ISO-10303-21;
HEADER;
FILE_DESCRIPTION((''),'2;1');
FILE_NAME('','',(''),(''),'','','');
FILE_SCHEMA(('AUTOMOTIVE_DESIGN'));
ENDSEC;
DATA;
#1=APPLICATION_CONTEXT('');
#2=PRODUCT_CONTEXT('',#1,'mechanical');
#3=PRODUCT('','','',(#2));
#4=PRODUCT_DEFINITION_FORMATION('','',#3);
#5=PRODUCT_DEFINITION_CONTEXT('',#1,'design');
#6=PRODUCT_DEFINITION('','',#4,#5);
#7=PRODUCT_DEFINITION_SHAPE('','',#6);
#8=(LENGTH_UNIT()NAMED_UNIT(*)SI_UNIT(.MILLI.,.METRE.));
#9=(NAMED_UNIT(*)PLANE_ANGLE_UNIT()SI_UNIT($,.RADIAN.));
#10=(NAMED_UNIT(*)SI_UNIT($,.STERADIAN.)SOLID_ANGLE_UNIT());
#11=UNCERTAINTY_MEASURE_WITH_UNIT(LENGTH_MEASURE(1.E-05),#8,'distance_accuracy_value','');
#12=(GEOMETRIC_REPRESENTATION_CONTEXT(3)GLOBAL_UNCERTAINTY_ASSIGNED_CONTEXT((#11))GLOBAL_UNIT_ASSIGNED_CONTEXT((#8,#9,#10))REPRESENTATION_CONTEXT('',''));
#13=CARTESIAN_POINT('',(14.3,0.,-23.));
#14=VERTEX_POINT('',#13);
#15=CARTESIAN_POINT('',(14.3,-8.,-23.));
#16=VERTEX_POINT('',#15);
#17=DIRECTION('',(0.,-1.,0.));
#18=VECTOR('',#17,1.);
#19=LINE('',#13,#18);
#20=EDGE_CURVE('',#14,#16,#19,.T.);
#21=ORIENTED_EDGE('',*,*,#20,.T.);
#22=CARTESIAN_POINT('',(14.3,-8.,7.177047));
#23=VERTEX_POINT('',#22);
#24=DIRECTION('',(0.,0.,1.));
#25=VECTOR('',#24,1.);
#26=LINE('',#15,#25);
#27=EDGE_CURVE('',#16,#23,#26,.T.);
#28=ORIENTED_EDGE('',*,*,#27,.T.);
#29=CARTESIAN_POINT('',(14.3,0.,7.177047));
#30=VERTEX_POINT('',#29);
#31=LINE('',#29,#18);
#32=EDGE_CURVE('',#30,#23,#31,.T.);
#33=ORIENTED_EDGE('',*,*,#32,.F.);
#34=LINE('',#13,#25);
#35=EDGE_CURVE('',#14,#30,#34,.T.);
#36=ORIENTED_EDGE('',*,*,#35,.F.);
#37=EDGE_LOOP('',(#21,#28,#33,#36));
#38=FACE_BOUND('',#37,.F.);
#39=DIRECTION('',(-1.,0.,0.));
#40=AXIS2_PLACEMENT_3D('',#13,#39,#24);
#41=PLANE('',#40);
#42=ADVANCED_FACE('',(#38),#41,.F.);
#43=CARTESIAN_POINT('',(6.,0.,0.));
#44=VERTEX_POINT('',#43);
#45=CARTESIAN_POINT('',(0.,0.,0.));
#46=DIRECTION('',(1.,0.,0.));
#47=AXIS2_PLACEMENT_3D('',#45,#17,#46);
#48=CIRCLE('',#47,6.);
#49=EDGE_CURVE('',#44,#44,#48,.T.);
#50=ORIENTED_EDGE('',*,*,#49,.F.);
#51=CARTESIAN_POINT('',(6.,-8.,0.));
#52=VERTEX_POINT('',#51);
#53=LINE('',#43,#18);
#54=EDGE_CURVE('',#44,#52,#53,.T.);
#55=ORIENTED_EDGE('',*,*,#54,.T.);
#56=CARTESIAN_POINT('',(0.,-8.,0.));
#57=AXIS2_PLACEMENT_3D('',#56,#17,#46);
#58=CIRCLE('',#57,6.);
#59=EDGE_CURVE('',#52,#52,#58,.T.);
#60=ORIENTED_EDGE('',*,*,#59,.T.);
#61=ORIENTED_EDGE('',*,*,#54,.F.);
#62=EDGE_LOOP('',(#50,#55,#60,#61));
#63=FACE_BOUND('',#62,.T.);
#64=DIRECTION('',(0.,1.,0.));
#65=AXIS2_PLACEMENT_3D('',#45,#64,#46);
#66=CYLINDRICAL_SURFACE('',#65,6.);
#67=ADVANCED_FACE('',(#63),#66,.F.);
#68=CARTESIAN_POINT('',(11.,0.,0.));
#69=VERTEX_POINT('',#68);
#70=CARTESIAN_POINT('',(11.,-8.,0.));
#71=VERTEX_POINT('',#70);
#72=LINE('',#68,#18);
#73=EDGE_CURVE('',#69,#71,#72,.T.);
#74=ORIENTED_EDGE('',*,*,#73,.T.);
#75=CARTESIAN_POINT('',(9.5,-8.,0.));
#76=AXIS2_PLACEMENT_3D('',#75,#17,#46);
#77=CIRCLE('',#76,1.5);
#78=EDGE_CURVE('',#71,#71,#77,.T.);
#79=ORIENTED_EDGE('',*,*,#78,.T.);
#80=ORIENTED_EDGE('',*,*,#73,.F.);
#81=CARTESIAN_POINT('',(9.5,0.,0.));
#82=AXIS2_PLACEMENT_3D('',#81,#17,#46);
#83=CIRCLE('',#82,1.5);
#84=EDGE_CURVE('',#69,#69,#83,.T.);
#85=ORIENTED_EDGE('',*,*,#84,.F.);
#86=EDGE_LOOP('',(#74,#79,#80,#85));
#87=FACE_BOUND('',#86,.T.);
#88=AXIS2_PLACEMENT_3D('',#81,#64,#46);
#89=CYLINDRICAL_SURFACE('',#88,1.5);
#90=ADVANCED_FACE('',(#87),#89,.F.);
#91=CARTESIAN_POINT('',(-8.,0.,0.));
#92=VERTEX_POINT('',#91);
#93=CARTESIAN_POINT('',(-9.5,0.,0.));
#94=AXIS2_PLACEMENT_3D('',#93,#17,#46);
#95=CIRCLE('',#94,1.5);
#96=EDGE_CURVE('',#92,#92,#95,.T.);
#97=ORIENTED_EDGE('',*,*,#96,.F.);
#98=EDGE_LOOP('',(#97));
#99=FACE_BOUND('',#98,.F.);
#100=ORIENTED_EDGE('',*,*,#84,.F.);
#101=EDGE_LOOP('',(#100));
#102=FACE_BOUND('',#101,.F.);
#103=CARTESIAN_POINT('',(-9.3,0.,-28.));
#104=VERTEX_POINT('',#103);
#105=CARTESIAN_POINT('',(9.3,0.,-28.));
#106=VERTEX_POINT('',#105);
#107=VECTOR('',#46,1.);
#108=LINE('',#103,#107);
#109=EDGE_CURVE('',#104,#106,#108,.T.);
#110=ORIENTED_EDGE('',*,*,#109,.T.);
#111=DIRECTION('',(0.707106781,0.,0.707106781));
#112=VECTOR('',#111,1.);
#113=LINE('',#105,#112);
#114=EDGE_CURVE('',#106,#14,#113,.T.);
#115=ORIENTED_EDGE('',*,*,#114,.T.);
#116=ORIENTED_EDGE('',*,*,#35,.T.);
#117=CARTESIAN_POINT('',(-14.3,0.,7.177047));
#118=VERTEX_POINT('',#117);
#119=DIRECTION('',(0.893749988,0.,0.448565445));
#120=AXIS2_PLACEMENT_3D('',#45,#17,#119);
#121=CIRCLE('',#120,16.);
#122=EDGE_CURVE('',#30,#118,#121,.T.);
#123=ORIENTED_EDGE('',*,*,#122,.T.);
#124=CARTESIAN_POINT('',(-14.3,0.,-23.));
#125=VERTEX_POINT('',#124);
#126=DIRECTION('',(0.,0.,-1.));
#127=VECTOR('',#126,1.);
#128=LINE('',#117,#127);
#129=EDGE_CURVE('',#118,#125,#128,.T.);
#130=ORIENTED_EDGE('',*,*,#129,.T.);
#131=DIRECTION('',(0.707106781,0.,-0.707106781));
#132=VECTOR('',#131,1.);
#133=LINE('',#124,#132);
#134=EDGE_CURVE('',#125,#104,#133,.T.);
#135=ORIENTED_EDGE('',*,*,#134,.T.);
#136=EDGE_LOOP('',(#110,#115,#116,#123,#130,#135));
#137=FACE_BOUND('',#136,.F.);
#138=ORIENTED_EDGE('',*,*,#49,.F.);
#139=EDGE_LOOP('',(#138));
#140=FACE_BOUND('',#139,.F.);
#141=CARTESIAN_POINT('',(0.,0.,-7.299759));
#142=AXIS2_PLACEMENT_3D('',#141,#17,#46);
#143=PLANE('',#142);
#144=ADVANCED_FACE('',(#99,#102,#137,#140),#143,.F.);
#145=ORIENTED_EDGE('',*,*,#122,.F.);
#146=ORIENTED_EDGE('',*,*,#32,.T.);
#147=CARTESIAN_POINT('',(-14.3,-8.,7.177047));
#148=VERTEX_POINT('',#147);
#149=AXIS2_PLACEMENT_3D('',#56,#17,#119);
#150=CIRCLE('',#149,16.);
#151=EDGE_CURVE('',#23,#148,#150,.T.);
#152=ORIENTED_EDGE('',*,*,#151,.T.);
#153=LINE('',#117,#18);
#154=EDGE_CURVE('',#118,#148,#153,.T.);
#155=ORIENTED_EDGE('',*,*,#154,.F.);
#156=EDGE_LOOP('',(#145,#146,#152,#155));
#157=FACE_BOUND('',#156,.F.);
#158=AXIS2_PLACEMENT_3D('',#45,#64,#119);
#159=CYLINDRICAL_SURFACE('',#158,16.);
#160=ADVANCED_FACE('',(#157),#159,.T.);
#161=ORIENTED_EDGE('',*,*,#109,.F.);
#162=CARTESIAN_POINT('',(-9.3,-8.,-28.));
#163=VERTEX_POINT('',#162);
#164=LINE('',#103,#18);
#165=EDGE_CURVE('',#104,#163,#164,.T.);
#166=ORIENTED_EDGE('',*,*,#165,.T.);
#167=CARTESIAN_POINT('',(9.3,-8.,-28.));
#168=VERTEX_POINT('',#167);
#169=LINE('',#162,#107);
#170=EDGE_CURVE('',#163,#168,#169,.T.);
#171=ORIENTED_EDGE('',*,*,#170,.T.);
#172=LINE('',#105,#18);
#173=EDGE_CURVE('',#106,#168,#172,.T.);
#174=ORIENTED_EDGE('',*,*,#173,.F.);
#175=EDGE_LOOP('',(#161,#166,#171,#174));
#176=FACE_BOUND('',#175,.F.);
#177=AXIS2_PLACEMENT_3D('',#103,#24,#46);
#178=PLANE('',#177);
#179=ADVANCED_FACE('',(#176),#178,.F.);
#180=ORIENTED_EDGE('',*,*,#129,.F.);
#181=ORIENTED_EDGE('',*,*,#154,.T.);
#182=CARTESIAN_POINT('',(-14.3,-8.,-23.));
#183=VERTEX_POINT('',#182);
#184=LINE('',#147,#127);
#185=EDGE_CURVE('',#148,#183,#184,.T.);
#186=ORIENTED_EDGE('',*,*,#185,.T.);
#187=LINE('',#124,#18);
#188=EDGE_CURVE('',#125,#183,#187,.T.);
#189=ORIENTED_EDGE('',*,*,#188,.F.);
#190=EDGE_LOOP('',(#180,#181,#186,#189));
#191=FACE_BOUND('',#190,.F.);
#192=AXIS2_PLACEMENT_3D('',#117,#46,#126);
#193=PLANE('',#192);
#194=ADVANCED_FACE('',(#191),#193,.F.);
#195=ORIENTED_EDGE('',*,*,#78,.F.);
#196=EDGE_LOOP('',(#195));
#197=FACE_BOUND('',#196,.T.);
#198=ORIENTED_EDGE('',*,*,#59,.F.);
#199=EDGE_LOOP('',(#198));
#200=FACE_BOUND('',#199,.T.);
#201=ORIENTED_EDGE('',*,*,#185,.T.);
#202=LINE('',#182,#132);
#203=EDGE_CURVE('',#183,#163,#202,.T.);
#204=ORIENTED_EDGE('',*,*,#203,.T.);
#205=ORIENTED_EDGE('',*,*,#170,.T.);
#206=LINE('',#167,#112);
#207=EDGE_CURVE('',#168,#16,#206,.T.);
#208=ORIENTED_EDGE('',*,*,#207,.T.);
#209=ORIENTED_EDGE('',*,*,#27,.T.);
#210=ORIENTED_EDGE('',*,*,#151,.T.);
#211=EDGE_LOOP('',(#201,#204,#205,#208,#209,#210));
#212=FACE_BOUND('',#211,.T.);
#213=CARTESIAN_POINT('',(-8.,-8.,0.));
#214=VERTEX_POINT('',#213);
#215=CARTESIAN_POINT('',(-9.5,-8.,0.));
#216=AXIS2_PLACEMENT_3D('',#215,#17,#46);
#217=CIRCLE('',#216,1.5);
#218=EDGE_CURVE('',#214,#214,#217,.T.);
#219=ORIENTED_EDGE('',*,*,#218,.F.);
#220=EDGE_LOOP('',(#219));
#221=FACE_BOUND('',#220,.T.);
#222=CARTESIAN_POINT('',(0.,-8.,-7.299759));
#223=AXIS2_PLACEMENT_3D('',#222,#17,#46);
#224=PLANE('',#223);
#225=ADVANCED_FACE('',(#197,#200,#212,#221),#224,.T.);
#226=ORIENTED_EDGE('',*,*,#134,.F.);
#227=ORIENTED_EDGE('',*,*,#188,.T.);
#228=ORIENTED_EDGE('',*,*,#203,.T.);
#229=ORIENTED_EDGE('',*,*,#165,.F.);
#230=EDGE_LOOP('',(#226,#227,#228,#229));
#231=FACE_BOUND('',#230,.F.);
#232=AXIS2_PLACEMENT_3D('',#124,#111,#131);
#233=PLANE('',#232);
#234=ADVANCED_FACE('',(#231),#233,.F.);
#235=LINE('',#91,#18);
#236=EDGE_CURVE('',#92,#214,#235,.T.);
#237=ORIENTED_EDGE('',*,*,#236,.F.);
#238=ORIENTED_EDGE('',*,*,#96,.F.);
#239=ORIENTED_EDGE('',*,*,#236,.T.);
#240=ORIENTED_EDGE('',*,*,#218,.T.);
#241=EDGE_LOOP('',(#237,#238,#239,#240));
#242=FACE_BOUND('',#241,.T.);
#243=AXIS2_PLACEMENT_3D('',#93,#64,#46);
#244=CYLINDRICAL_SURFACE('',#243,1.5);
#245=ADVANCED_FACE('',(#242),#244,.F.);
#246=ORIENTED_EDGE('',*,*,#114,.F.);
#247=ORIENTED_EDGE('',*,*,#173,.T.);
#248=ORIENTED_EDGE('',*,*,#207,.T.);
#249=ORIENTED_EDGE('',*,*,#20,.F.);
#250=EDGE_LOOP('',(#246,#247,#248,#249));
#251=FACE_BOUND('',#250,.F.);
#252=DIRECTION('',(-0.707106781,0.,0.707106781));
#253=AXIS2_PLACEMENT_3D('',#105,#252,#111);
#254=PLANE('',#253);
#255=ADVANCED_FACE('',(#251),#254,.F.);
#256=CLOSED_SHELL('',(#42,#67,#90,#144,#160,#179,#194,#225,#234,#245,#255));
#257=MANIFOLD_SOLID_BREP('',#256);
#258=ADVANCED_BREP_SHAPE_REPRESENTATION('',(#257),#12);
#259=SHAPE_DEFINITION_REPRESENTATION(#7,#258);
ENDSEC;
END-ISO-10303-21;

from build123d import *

# Parameters (mm, degrees)
F0_R     = 1.5
F0_R_2   = 6
F1_DEPTH = 8


with BuildPart() as f1:
    # F0 (on Front) → F1 (new body)
    with BuildSketch(Plane.XZ):
        with BuildLine():
            Line((-14.3, -23), (-9.3, -28))
            Line((-9.3, -28), (9.3, -28))
            Line((9.3, -28), (14.3, -23))
            Line((14.3, -23), (14.3, 7.177047))
            ThreePointArc((14.3, 7.177047), (0, 16), (-14.3, 7.177047))
            Line((-14.3, 7.177047), (-14.3, -23))
        make_face()
        with Locations((-9.5, 0)):
            Circle(F0_R, mode=Mode.SUBTRACT)
        Circle(F0_R_2, mode=Mode.SUBTRACT)
        with Locations((9.5, 0)):
            Circle(F0_R, mode=Mode.SUBTRACT)
    extrude(amount=F1_DEPTH)


solid = f1.part
